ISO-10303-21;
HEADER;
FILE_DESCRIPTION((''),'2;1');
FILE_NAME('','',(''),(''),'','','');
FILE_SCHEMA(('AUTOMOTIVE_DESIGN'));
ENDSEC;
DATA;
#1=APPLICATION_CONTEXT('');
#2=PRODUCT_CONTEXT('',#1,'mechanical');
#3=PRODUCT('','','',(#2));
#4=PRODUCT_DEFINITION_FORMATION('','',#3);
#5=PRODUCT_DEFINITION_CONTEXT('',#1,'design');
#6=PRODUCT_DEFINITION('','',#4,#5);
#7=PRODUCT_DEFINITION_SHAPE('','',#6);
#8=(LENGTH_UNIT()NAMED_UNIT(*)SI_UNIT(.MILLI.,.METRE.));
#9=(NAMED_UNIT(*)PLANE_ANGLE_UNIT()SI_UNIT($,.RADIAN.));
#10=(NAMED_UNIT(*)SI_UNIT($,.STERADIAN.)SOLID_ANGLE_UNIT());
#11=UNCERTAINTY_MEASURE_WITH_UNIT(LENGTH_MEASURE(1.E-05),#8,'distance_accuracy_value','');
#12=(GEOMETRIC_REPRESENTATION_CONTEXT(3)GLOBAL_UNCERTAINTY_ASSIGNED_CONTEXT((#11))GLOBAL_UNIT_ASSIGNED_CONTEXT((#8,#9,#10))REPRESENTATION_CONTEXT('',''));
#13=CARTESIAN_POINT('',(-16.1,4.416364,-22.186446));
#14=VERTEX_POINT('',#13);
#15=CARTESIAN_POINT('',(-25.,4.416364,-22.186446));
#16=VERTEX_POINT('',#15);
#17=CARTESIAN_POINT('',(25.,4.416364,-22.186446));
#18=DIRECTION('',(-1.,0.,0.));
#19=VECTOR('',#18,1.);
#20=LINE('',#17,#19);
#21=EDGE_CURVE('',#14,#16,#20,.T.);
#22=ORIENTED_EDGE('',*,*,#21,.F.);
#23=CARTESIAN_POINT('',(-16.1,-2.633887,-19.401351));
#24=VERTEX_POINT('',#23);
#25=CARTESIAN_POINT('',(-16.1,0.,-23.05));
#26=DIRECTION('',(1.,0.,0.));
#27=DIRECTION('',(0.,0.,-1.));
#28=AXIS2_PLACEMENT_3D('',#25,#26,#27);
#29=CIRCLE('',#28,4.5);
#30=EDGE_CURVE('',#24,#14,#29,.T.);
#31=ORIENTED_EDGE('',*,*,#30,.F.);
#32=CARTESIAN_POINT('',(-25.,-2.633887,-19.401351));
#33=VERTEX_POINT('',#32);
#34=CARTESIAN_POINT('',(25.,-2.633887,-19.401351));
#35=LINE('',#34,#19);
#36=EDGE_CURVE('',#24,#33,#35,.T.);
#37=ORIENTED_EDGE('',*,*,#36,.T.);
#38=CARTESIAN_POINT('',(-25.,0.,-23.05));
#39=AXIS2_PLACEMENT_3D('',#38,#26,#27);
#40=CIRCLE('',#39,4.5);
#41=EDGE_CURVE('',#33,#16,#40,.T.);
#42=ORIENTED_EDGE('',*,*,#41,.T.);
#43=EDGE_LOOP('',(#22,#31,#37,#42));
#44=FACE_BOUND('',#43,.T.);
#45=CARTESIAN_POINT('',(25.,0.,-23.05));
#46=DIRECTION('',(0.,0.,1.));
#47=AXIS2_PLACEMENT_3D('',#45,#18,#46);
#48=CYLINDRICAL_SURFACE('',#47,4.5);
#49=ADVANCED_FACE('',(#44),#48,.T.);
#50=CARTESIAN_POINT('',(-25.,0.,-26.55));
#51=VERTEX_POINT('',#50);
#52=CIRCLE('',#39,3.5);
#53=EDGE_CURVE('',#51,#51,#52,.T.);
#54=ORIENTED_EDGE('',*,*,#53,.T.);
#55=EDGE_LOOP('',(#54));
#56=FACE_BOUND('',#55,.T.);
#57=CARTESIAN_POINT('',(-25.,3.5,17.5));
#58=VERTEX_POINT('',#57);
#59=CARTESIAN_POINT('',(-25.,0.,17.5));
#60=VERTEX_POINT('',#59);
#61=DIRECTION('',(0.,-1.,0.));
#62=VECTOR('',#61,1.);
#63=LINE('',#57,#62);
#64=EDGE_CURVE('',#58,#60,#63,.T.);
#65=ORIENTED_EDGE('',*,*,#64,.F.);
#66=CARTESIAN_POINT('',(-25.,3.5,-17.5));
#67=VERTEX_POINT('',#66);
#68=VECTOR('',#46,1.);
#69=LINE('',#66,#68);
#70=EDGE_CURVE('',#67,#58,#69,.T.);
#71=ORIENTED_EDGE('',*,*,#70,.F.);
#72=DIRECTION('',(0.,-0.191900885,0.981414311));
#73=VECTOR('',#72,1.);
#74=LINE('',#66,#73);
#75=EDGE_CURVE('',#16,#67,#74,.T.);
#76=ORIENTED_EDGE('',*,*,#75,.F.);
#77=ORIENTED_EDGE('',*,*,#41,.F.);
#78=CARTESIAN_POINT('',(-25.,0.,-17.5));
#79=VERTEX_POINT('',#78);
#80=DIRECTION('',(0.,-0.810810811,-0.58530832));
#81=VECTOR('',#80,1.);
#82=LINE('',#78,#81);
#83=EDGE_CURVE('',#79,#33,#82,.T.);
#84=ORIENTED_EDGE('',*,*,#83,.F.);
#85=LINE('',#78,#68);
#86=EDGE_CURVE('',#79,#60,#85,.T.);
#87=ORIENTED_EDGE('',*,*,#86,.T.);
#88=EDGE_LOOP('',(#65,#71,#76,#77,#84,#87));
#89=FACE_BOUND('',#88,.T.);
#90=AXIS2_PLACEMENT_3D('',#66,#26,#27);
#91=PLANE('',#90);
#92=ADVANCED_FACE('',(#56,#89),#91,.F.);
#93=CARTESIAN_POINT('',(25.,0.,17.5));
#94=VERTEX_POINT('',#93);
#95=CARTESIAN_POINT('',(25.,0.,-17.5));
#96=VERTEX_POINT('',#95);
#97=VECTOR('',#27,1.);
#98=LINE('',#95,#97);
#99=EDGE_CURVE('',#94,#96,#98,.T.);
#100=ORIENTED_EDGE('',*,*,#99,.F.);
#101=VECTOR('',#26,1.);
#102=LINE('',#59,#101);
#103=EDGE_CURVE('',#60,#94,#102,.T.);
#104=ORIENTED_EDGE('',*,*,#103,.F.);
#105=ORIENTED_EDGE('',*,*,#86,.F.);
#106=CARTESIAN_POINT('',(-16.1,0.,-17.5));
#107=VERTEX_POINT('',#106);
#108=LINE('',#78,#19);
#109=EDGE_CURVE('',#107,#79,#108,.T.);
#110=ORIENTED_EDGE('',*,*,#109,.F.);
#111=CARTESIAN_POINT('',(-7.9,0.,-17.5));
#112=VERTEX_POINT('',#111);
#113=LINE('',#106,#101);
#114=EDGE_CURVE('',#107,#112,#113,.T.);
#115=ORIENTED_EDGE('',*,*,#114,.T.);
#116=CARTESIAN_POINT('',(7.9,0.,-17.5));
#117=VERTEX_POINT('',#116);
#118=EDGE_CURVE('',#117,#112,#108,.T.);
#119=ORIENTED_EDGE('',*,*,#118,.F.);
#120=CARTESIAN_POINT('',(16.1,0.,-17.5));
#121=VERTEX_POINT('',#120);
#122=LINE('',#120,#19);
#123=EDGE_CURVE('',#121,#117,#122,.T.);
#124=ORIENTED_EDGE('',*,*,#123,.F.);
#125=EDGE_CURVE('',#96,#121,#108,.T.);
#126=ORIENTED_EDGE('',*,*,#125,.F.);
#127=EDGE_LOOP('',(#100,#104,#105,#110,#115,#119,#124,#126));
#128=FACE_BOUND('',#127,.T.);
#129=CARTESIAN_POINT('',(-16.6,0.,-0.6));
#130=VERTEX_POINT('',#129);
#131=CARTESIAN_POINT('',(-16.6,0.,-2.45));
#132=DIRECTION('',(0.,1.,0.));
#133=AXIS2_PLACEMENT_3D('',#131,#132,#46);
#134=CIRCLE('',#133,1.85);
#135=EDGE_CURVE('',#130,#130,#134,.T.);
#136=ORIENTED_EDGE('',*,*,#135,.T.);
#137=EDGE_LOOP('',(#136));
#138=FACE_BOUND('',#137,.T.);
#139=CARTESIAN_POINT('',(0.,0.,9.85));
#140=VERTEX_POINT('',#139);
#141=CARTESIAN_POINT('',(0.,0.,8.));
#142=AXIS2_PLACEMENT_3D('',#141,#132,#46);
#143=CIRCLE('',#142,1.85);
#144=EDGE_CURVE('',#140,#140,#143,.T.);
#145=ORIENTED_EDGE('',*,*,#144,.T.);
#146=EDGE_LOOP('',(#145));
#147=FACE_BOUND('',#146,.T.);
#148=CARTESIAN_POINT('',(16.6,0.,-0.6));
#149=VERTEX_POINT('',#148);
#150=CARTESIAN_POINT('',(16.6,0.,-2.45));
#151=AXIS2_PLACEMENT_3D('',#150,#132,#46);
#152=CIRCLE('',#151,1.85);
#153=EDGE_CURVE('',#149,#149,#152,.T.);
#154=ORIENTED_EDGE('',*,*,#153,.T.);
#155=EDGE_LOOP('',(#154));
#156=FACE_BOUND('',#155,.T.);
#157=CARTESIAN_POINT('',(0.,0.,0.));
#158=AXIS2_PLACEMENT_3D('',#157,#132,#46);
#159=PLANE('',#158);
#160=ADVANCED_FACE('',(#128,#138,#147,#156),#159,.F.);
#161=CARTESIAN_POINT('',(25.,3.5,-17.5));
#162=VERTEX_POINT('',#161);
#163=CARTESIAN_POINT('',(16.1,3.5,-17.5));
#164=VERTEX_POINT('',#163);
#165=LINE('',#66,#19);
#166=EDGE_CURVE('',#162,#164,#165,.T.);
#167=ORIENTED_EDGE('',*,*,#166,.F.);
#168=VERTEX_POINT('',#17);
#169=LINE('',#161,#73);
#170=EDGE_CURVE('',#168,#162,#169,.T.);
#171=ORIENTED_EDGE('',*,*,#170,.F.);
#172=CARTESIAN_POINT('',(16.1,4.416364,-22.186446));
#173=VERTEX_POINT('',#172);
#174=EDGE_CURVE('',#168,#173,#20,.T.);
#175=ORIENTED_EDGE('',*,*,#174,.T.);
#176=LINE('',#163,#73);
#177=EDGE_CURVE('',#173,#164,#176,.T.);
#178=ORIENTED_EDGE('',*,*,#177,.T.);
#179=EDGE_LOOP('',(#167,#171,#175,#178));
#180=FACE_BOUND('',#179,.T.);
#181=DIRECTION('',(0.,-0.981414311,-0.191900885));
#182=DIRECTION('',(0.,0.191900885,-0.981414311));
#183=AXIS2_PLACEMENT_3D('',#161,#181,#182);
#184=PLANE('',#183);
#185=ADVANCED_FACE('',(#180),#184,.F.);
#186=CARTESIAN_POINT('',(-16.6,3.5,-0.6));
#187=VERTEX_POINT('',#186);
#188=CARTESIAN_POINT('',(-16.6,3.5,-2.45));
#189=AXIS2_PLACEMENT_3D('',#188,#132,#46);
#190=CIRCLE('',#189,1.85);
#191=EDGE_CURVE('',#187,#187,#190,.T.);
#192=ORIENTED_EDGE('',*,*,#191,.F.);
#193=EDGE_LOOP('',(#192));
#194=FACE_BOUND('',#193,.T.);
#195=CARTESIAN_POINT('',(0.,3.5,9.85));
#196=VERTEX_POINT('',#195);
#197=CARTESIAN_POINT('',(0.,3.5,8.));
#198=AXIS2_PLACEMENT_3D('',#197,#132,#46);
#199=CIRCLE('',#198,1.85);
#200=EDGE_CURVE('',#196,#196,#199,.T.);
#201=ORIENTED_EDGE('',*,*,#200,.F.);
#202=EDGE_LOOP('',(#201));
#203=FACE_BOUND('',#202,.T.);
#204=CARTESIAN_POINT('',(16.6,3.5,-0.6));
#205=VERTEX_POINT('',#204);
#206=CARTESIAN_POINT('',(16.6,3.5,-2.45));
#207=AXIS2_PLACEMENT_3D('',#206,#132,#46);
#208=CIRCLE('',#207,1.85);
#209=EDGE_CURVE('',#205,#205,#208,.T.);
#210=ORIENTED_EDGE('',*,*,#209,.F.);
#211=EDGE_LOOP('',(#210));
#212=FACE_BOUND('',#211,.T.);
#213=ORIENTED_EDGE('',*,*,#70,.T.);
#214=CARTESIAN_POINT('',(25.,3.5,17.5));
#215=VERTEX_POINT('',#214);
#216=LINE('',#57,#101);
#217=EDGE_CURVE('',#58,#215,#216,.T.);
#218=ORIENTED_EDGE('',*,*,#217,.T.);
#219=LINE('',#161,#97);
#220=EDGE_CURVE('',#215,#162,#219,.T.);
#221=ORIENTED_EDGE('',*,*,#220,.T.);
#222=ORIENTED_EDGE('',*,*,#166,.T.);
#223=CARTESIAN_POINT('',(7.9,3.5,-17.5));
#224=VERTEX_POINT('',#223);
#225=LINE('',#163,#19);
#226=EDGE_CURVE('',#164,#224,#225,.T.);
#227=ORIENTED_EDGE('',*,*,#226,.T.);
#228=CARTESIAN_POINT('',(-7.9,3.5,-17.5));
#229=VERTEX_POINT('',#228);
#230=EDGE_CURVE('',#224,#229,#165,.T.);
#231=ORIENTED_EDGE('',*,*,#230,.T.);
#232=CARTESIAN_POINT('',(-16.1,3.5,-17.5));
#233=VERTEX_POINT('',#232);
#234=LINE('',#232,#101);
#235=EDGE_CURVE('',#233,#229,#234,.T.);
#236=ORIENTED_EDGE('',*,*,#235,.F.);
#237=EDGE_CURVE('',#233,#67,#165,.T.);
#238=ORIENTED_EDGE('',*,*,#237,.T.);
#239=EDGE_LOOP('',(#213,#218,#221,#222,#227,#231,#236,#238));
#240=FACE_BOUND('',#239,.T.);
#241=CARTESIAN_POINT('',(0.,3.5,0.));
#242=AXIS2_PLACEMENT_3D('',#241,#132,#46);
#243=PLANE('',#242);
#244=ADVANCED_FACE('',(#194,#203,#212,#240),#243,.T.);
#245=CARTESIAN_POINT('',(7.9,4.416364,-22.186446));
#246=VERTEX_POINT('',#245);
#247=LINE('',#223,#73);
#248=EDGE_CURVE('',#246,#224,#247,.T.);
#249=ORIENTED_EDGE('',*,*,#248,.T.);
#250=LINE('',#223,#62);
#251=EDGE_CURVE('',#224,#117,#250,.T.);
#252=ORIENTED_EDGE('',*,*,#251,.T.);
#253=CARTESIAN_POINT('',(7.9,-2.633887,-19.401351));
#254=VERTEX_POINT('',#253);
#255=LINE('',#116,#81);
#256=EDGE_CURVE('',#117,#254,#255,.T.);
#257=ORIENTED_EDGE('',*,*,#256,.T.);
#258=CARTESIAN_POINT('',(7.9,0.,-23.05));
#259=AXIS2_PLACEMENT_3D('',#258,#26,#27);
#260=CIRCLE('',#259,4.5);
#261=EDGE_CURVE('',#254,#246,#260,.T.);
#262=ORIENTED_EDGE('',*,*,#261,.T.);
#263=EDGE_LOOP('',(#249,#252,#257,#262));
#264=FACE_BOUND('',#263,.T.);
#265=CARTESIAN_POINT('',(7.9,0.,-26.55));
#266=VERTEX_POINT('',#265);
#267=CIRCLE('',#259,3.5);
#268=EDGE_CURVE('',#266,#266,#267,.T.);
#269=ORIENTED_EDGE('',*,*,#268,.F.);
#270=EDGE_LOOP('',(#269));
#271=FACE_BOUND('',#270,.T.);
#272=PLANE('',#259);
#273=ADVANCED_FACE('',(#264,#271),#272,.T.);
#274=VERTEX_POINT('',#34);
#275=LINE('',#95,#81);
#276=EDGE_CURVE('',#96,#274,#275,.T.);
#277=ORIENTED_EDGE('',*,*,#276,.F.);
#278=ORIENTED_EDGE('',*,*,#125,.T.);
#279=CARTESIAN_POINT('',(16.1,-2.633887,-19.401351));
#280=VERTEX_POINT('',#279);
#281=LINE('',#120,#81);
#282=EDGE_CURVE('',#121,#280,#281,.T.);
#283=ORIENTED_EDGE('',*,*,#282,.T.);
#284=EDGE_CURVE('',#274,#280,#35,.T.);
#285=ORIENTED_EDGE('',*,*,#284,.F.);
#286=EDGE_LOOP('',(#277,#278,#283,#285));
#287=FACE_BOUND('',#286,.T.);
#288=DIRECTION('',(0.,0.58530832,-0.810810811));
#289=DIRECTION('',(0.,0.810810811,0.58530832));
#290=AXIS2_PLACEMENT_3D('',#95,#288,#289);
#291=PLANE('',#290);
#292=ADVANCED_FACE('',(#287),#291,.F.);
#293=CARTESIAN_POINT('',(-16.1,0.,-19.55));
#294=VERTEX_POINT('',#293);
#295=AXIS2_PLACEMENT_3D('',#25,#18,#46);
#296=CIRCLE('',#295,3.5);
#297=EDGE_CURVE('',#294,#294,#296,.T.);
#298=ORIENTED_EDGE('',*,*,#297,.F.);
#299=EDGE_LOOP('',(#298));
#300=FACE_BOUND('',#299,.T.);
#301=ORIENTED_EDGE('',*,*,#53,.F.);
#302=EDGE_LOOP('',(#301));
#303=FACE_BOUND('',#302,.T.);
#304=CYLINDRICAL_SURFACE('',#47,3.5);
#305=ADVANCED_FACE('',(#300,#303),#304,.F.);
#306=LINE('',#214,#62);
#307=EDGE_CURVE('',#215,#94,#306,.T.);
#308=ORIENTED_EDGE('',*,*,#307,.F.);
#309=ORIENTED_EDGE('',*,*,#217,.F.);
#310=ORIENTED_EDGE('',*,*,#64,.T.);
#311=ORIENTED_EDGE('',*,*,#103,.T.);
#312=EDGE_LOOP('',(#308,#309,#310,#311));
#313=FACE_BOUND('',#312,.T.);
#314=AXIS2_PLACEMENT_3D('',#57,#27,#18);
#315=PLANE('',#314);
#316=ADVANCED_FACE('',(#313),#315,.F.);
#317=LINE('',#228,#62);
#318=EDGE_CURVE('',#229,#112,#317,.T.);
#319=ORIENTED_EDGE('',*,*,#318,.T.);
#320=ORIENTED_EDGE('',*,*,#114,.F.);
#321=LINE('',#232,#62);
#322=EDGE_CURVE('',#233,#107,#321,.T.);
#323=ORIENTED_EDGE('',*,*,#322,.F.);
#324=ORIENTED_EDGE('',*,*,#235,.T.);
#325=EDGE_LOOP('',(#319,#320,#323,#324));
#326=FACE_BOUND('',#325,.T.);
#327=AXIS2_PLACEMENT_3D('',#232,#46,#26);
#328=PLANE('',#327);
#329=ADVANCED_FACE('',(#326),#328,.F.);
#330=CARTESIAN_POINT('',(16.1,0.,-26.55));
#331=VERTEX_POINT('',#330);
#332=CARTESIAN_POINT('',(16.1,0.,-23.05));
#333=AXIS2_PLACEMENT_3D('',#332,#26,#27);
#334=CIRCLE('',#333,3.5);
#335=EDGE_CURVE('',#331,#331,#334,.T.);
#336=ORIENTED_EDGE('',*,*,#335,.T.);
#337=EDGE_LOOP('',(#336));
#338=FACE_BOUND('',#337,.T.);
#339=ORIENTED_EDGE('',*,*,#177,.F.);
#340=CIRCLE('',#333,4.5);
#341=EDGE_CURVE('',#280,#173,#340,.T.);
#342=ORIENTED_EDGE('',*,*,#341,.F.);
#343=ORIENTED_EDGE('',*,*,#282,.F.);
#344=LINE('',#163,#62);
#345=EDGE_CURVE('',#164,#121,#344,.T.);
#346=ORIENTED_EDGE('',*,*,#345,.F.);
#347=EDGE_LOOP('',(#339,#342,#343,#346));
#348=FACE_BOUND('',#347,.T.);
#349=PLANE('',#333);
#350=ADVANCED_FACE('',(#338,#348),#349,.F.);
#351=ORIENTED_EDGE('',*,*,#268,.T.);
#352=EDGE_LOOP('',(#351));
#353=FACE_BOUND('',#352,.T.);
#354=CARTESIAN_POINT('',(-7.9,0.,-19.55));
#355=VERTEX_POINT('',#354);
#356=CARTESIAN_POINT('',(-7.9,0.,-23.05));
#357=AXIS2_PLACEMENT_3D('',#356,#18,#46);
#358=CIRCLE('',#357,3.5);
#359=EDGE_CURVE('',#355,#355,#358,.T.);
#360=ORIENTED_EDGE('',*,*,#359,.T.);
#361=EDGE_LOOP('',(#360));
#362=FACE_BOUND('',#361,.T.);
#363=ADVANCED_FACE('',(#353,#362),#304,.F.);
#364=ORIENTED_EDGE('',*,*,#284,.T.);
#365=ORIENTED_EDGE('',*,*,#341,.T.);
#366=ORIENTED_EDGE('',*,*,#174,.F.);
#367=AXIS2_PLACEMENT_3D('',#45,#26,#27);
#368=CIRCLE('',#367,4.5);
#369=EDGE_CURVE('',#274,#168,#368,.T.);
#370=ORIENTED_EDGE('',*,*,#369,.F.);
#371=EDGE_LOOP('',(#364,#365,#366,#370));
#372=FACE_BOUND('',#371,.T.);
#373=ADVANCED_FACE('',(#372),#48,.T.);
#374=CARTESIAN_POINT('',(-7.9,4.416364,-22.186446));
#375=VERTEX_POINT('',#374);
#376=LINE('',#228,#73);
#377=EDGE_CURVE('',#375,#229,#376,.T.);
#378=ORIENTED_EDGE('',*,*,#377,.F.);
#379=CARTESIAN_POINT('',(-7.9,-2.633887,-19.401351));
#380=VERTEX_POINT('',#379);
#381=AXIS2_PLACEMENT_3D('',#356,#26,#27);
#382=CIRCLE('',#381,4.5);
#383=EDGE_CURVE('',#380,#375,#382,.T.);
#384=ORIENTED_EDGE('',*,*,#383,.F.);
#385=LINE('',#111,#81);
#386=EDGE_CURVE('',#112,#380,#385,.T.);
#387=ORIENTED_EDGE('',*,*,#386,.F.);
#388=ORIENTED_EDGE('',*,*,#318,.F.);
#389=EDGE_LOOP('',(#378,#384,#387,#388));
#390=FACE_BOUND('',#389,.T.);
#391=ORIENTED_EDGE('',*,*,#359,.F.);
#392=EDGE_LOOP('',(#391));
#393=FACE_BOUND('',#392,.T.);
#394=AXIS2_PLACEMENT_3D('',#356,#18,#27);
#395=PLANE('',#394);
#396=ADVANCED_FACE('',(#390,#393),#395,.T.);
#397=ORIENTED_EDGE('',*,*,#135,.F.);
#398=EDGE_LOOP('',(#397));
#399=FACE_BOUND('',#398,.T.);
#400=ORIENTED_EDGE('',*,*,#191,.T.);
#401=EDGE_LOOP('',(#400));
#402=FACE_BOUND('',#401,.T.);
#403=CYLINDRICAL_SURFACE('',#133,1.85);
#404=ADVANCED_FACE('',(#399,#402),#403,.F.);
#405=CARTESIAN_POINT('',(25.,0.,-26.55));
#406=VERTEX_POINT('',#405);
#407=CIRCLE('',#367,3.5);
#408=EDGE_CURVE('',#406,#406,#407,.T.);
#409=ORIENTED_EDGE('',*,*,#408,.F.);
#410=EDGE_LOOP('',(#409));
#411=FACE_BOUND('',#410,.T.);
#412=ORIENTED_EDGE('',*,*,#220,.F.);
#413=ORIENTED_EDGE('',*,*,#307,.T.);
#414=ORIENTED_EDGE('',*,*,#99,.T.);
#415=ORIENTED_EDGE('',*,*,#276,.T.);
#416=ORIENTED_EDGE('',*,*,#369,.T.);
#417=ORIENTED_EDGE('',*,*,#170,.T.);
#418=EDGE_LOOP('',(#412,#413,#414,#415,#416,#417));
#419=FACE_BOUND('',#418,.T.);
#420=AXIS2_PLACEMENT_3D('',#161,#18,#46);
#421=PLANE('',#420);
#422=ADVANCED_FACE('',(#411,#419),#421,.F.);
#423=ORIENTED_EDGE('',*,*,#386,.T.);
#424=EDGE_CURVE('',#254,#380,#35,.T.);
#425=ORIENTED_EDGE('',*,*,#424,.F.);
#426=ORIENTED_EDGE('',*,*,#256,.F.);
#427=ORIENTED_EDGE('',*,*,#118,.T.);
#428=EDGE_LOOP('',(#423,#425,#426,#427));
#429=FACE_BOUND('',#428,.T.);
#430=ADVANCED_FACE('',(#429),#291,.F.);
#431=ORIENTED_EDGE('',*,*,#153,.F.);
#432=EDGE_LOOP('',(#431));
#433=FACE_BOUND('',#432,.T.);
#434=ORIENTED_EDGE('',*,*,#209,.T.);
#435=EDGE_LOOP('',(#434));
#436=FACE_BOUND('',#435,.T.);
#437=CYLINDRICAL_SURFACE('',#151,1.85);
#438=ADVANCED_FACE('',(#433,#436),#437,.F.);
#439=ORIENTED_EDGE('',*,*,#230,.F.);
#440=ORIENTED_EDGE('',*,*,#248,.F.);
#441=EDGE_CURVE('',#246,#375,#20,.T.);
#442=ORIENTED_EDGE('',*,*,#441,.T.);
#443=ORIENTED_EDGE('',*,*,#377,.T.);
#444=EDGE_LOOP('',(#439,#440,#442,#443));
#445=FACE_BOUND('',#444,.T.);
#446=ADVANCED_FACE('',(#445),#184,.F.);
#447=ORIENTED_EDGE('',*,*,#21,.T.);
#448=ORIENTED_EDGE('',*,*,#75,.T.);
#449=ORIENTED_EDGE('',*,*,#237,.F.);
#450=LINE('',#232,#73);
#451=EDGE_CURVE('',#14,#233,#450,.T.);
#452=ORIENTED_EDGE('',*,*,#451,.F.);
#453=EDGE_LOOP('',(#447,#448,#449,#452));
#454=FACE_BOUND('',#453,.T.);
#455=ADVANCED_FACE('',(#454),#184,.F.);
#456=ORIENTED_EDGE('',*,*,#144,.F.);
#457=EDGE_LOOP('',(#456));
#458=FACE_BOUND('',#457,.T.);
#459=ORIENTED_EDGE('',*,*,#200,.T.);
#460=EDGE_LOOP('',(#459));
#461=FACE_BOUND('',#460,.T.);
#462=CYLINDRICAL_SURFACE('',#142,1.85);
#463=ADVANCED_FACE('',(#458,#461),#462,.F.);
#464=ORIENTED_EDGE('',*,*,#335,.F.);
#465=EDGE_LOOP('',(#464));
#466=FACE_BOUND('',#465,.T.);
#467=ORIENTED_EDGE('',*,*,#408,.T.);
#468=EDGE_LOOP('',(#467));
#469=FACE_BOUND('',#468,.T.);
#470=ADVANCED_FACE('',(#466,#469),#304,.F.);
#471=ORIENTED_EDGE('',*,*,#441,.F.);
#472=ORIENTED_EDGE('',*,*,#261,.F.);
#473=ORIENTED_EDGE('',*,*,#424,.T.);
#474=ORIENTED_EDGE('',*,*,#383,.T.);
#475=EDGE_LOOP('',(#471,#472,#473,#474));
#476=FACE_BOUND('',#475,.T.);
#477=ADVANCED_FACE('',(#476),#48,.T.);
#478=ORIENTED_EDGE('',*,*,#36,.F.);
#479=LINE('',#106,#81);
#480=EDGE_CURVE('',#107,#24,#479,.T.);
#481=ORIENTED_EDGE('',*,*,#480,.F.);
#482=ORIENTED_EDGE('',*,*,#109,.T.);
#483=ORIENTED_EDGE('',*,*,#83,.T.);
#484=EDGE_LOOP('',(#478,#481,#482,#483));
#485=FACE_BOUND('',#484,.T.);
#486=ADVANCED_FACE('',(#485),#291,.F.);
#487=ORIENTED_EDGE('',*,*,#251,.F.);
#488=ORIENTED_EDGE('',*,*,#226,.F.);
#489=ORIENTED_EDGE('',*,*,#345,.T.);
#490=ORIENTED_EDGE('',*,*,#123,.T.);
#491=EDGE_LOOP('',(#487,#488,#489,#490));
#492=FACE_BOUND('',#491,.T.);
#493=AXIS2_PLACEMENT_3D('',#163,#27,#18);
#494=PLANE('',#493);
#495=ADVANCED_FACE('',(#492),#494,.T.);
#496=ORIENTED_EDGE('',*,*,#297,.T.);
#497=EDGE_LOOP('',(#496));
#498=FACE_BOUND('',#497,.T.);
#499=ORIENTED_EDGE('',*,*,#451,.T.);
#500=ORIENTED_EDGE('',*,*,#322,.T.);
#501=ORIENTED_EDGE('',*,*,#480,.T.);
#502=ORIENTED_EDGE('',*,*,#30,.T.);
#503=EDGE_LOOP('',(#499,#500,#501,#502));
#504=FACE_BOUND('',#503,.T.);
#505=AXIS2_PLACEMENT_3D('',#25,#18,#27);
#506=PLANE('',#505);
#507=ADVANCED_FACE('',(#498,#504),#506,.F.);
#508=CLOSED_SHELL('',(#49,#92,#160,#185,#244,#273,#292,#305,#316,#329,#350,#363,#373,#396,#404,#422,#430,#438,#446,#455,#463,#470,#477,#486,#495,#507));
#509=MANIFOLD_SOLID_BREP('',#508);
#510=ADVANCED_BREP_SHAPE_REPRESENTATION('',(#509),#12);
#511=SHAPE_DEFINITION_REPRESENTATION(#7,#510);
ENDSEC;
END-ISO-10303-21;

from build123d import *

# Parameters (mm, degrees)
SKETCH1_W           = 50
SKETCH1_H           = 35
BOSS_EXTRUDE1_DEPTH = 3.5
SKETCH2_R           = 1.85
CUT_EXTRUDE1_DEPTH  = 31.716445107
SKETCH3_R           = 3.5
BOSS_EXTRUDE2_DEPTH = 25
CUT_EXTRUDE2_START  = 8.2
CUT_EXTRUDE2_DEPTH  = 8.2


with BuildPart() as part:
    # Sketch1 → Boss-Extrude1 (new body)
    with BuildSketch(Plane(origin=(0, 0, 0), x_dir=(1, 0, 0), z_dir=(0, 1, 0))):
        Rectangle(SKETCH1_W, SKETCH1_H)
    extrude(amount=BOSS_EXTRUDE1_DEPTH)

    # Sketch2 → Cut-Extrude1 (cut, through all)
    with BuildSketch(Plane(origin=(0, 3.5, 0), x_dir=(1, 0, 0), z_dir=(0, 1, 0))):
        with Locations(Location((0, -8, 0), (0, 0, 270))):
            Circle(SKETCH2_R)
        with Locations(Location((16.6, 2.45, 0), (0, 0, 270))):
            Circle(SKETCH2_R)
        with Locations(Location((-16.6, 2.45, 0), (0, 0, 270))):
            Circle(SKETCH2_R)
    extrude(amount=-CUT_EXTRUDE1_DEPTH, mode=Mode.SUBTRACT)

    # Sketch3 → Boss-Extrude2 (add, symmetric)
    with BuildSketch(Plane(origin=(0, 0, 0), x_dir=(0, 0, -1), z_dir=(1, 0, 0))):
        with BuildLine():
            Line((17.5, 0), (19.401351351, -2.633887439))
            ThreePointArc((19.401351351, -2.633887439), (27.235272499, -1.653328191), (22.186446019, 4.416364401))
            Line((22.186446019, 4.416364401), (17.5, 3.5))
            Line((17.5, 3.5), (17.5, 1.655278421))
            Line((17.5, 1.655278421), (17.5, 0))
        make_face()
        with Locations((23.05, 0)):
            Circle(SKETCH3_R, mode=Mode.SUBTRACT)
    extrude(amount=BOSS_EXTRUDE2_DEPTH, both=True)

    # Sketch4 → Cut-Extrude2 (cut)
    with BuildSketch(Plane(origin=(7.9, 0, 0), x_dir=(0, 0, -1), z_dir=(1, 0, 0)).offset(CUT_EXTRUDE2_START)):
        with BuildLine():
            Line((17.5, 3.5), (17.5, 0))
            Line((17.5, 0), (19.401351351, -2.633887439))
            ThreePointArc((19.401351351, -2.633887439), (27.235272499, -1.653328191), (22.186446019, 4.416364401))
            Line((22.186446019, 4.416364401), (17.5, 3.5))
        make_face()
    cut_extrude2 = extrude(amount=-CUT_EXTRUDE2_DEPTH, mode=Mode.SUBTRACT)

    # Mirror1: Cut-Extrude2 across plane
    add(cut_extrude2.mirror(Plane(origin=(0, 0, 0), x_dir=(0, 0, 1), z_dir=(1, 0, 0))), mode=Mode.SUBTRACT)


solid = part.part
